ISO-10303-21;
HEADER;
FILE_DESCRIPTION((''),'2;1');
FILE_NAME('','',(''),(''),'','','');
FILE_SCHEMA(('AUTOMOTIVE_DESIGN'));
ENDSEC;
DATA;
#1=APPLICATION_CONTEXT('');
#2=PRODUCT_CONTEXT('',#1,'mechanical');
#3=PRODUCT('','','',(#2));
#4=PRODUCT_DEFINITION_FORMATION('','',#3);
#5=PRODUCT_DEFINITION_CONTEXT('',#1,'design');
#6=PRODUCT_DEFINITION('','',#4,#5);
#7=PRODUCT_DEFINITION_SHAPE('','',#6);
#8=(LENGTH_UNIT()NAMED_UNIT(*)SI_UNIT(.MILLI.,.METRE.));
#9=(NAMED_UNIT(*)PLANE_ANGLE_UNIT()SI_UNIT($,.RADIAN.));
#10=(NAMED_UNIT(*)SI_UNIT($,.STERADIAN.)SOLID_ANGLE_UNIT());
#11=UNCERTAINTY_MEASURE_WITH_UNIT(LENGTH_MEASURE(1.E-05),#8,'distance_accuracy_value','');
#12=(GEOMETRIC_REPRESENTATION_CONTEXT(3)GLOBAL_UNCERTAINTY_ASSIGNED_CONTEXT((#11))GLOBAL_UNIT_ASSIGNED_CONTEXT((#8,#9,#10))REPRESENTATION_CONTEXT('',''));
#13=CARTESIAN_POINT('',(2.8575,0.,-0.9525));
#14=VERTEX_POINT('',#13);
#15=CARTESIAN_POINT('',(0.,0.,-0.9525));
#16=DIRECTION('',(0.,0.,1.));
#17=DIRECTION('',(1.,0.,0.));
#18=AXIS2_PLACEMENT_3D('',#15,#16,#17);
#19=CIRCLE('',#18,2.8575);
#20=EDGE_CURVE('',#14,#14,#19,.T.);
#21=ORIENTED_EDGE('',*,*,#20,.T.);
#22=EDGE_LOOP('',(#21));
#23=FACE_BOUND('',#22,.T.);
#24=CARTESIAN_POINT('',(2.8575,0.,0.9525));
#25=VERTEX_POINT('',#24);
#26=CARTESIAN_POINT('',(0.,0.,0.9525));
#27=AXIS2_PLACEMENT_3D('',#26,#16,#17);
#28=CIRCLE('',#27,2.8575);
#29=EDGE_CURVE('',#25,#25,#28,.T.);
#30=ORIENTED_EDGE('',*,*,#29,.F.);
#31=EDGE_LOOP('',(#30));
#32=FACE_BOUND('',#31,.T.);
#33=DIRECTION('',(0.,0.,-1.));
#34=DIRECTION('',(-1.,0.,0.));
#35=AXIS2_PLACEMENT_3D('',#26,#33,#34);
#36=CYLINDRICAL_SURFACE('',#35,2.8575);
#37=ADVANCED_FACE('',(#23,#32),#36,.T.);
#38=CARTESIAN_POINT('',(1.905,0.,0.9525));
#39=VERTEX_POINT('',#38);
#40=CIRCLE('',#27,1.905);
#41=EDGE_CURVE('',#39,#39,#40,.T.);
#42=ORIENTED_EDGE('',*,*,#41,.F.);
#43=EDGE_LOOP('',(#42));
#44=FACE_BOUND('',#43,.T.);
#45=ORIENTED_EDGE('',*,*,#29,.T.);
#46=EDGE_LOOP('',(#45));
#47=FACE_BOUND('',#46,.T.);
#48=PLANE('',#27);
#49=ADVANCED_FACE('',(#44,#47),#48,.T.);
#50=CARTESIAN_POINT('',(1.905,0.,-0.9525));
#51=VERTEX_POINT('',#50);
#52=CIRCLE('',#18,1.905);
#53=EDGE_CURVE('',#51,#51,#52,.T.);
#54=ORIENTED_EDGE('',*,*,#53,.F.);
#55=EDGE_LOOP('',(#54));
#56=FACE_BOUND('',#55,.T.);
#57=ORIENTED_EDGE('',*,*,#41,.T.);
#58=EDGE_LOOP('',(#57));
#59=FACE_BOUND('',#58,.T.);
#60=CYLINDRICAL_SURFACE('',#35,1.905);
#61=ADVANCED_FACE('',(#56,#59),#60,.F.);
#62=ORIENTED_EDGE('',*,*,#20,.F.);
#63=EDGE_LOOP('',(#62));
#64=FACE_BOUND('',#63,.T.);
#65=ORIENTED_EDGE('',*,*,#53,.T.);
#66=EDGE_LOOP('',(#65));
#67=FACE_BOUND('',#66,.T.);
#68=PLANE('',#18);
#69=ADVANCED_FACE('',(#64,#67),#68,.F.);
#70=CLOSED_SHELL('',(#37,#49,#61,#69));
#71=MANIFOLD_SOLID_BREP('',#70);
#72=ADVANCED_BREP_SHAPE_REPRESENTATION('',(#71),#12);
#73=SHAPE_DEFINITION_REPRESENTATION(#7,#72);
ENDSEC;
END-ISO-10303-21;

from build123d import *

# Parameters (mm, degrees)
SKETCH1_R           = 1.905
SKETCH1_R_2         = 1.27
BOSS_EXTRUDE1_DEPTH = 0.635
SCALE1_SCALE        = 1.5


with BuildPart() as part:
    # Sketch1 → Boss-Extrude1 (new, symmetric)
    with BuildSketch(Plane.XY):
        Circle(SKETCH1_R)
        Circle(SKETCH1_R_2, mode=Mode.SUBTRACT)
    extrude(amount=BOSS_EXTRUDE1_DEPTH, both=True)


with BuildPart() as part_1:
    # Scale1: scaled about (0, 0, 0)
    add(part.part.scale(SCALE1_SCALE))


solid = part_1.part
